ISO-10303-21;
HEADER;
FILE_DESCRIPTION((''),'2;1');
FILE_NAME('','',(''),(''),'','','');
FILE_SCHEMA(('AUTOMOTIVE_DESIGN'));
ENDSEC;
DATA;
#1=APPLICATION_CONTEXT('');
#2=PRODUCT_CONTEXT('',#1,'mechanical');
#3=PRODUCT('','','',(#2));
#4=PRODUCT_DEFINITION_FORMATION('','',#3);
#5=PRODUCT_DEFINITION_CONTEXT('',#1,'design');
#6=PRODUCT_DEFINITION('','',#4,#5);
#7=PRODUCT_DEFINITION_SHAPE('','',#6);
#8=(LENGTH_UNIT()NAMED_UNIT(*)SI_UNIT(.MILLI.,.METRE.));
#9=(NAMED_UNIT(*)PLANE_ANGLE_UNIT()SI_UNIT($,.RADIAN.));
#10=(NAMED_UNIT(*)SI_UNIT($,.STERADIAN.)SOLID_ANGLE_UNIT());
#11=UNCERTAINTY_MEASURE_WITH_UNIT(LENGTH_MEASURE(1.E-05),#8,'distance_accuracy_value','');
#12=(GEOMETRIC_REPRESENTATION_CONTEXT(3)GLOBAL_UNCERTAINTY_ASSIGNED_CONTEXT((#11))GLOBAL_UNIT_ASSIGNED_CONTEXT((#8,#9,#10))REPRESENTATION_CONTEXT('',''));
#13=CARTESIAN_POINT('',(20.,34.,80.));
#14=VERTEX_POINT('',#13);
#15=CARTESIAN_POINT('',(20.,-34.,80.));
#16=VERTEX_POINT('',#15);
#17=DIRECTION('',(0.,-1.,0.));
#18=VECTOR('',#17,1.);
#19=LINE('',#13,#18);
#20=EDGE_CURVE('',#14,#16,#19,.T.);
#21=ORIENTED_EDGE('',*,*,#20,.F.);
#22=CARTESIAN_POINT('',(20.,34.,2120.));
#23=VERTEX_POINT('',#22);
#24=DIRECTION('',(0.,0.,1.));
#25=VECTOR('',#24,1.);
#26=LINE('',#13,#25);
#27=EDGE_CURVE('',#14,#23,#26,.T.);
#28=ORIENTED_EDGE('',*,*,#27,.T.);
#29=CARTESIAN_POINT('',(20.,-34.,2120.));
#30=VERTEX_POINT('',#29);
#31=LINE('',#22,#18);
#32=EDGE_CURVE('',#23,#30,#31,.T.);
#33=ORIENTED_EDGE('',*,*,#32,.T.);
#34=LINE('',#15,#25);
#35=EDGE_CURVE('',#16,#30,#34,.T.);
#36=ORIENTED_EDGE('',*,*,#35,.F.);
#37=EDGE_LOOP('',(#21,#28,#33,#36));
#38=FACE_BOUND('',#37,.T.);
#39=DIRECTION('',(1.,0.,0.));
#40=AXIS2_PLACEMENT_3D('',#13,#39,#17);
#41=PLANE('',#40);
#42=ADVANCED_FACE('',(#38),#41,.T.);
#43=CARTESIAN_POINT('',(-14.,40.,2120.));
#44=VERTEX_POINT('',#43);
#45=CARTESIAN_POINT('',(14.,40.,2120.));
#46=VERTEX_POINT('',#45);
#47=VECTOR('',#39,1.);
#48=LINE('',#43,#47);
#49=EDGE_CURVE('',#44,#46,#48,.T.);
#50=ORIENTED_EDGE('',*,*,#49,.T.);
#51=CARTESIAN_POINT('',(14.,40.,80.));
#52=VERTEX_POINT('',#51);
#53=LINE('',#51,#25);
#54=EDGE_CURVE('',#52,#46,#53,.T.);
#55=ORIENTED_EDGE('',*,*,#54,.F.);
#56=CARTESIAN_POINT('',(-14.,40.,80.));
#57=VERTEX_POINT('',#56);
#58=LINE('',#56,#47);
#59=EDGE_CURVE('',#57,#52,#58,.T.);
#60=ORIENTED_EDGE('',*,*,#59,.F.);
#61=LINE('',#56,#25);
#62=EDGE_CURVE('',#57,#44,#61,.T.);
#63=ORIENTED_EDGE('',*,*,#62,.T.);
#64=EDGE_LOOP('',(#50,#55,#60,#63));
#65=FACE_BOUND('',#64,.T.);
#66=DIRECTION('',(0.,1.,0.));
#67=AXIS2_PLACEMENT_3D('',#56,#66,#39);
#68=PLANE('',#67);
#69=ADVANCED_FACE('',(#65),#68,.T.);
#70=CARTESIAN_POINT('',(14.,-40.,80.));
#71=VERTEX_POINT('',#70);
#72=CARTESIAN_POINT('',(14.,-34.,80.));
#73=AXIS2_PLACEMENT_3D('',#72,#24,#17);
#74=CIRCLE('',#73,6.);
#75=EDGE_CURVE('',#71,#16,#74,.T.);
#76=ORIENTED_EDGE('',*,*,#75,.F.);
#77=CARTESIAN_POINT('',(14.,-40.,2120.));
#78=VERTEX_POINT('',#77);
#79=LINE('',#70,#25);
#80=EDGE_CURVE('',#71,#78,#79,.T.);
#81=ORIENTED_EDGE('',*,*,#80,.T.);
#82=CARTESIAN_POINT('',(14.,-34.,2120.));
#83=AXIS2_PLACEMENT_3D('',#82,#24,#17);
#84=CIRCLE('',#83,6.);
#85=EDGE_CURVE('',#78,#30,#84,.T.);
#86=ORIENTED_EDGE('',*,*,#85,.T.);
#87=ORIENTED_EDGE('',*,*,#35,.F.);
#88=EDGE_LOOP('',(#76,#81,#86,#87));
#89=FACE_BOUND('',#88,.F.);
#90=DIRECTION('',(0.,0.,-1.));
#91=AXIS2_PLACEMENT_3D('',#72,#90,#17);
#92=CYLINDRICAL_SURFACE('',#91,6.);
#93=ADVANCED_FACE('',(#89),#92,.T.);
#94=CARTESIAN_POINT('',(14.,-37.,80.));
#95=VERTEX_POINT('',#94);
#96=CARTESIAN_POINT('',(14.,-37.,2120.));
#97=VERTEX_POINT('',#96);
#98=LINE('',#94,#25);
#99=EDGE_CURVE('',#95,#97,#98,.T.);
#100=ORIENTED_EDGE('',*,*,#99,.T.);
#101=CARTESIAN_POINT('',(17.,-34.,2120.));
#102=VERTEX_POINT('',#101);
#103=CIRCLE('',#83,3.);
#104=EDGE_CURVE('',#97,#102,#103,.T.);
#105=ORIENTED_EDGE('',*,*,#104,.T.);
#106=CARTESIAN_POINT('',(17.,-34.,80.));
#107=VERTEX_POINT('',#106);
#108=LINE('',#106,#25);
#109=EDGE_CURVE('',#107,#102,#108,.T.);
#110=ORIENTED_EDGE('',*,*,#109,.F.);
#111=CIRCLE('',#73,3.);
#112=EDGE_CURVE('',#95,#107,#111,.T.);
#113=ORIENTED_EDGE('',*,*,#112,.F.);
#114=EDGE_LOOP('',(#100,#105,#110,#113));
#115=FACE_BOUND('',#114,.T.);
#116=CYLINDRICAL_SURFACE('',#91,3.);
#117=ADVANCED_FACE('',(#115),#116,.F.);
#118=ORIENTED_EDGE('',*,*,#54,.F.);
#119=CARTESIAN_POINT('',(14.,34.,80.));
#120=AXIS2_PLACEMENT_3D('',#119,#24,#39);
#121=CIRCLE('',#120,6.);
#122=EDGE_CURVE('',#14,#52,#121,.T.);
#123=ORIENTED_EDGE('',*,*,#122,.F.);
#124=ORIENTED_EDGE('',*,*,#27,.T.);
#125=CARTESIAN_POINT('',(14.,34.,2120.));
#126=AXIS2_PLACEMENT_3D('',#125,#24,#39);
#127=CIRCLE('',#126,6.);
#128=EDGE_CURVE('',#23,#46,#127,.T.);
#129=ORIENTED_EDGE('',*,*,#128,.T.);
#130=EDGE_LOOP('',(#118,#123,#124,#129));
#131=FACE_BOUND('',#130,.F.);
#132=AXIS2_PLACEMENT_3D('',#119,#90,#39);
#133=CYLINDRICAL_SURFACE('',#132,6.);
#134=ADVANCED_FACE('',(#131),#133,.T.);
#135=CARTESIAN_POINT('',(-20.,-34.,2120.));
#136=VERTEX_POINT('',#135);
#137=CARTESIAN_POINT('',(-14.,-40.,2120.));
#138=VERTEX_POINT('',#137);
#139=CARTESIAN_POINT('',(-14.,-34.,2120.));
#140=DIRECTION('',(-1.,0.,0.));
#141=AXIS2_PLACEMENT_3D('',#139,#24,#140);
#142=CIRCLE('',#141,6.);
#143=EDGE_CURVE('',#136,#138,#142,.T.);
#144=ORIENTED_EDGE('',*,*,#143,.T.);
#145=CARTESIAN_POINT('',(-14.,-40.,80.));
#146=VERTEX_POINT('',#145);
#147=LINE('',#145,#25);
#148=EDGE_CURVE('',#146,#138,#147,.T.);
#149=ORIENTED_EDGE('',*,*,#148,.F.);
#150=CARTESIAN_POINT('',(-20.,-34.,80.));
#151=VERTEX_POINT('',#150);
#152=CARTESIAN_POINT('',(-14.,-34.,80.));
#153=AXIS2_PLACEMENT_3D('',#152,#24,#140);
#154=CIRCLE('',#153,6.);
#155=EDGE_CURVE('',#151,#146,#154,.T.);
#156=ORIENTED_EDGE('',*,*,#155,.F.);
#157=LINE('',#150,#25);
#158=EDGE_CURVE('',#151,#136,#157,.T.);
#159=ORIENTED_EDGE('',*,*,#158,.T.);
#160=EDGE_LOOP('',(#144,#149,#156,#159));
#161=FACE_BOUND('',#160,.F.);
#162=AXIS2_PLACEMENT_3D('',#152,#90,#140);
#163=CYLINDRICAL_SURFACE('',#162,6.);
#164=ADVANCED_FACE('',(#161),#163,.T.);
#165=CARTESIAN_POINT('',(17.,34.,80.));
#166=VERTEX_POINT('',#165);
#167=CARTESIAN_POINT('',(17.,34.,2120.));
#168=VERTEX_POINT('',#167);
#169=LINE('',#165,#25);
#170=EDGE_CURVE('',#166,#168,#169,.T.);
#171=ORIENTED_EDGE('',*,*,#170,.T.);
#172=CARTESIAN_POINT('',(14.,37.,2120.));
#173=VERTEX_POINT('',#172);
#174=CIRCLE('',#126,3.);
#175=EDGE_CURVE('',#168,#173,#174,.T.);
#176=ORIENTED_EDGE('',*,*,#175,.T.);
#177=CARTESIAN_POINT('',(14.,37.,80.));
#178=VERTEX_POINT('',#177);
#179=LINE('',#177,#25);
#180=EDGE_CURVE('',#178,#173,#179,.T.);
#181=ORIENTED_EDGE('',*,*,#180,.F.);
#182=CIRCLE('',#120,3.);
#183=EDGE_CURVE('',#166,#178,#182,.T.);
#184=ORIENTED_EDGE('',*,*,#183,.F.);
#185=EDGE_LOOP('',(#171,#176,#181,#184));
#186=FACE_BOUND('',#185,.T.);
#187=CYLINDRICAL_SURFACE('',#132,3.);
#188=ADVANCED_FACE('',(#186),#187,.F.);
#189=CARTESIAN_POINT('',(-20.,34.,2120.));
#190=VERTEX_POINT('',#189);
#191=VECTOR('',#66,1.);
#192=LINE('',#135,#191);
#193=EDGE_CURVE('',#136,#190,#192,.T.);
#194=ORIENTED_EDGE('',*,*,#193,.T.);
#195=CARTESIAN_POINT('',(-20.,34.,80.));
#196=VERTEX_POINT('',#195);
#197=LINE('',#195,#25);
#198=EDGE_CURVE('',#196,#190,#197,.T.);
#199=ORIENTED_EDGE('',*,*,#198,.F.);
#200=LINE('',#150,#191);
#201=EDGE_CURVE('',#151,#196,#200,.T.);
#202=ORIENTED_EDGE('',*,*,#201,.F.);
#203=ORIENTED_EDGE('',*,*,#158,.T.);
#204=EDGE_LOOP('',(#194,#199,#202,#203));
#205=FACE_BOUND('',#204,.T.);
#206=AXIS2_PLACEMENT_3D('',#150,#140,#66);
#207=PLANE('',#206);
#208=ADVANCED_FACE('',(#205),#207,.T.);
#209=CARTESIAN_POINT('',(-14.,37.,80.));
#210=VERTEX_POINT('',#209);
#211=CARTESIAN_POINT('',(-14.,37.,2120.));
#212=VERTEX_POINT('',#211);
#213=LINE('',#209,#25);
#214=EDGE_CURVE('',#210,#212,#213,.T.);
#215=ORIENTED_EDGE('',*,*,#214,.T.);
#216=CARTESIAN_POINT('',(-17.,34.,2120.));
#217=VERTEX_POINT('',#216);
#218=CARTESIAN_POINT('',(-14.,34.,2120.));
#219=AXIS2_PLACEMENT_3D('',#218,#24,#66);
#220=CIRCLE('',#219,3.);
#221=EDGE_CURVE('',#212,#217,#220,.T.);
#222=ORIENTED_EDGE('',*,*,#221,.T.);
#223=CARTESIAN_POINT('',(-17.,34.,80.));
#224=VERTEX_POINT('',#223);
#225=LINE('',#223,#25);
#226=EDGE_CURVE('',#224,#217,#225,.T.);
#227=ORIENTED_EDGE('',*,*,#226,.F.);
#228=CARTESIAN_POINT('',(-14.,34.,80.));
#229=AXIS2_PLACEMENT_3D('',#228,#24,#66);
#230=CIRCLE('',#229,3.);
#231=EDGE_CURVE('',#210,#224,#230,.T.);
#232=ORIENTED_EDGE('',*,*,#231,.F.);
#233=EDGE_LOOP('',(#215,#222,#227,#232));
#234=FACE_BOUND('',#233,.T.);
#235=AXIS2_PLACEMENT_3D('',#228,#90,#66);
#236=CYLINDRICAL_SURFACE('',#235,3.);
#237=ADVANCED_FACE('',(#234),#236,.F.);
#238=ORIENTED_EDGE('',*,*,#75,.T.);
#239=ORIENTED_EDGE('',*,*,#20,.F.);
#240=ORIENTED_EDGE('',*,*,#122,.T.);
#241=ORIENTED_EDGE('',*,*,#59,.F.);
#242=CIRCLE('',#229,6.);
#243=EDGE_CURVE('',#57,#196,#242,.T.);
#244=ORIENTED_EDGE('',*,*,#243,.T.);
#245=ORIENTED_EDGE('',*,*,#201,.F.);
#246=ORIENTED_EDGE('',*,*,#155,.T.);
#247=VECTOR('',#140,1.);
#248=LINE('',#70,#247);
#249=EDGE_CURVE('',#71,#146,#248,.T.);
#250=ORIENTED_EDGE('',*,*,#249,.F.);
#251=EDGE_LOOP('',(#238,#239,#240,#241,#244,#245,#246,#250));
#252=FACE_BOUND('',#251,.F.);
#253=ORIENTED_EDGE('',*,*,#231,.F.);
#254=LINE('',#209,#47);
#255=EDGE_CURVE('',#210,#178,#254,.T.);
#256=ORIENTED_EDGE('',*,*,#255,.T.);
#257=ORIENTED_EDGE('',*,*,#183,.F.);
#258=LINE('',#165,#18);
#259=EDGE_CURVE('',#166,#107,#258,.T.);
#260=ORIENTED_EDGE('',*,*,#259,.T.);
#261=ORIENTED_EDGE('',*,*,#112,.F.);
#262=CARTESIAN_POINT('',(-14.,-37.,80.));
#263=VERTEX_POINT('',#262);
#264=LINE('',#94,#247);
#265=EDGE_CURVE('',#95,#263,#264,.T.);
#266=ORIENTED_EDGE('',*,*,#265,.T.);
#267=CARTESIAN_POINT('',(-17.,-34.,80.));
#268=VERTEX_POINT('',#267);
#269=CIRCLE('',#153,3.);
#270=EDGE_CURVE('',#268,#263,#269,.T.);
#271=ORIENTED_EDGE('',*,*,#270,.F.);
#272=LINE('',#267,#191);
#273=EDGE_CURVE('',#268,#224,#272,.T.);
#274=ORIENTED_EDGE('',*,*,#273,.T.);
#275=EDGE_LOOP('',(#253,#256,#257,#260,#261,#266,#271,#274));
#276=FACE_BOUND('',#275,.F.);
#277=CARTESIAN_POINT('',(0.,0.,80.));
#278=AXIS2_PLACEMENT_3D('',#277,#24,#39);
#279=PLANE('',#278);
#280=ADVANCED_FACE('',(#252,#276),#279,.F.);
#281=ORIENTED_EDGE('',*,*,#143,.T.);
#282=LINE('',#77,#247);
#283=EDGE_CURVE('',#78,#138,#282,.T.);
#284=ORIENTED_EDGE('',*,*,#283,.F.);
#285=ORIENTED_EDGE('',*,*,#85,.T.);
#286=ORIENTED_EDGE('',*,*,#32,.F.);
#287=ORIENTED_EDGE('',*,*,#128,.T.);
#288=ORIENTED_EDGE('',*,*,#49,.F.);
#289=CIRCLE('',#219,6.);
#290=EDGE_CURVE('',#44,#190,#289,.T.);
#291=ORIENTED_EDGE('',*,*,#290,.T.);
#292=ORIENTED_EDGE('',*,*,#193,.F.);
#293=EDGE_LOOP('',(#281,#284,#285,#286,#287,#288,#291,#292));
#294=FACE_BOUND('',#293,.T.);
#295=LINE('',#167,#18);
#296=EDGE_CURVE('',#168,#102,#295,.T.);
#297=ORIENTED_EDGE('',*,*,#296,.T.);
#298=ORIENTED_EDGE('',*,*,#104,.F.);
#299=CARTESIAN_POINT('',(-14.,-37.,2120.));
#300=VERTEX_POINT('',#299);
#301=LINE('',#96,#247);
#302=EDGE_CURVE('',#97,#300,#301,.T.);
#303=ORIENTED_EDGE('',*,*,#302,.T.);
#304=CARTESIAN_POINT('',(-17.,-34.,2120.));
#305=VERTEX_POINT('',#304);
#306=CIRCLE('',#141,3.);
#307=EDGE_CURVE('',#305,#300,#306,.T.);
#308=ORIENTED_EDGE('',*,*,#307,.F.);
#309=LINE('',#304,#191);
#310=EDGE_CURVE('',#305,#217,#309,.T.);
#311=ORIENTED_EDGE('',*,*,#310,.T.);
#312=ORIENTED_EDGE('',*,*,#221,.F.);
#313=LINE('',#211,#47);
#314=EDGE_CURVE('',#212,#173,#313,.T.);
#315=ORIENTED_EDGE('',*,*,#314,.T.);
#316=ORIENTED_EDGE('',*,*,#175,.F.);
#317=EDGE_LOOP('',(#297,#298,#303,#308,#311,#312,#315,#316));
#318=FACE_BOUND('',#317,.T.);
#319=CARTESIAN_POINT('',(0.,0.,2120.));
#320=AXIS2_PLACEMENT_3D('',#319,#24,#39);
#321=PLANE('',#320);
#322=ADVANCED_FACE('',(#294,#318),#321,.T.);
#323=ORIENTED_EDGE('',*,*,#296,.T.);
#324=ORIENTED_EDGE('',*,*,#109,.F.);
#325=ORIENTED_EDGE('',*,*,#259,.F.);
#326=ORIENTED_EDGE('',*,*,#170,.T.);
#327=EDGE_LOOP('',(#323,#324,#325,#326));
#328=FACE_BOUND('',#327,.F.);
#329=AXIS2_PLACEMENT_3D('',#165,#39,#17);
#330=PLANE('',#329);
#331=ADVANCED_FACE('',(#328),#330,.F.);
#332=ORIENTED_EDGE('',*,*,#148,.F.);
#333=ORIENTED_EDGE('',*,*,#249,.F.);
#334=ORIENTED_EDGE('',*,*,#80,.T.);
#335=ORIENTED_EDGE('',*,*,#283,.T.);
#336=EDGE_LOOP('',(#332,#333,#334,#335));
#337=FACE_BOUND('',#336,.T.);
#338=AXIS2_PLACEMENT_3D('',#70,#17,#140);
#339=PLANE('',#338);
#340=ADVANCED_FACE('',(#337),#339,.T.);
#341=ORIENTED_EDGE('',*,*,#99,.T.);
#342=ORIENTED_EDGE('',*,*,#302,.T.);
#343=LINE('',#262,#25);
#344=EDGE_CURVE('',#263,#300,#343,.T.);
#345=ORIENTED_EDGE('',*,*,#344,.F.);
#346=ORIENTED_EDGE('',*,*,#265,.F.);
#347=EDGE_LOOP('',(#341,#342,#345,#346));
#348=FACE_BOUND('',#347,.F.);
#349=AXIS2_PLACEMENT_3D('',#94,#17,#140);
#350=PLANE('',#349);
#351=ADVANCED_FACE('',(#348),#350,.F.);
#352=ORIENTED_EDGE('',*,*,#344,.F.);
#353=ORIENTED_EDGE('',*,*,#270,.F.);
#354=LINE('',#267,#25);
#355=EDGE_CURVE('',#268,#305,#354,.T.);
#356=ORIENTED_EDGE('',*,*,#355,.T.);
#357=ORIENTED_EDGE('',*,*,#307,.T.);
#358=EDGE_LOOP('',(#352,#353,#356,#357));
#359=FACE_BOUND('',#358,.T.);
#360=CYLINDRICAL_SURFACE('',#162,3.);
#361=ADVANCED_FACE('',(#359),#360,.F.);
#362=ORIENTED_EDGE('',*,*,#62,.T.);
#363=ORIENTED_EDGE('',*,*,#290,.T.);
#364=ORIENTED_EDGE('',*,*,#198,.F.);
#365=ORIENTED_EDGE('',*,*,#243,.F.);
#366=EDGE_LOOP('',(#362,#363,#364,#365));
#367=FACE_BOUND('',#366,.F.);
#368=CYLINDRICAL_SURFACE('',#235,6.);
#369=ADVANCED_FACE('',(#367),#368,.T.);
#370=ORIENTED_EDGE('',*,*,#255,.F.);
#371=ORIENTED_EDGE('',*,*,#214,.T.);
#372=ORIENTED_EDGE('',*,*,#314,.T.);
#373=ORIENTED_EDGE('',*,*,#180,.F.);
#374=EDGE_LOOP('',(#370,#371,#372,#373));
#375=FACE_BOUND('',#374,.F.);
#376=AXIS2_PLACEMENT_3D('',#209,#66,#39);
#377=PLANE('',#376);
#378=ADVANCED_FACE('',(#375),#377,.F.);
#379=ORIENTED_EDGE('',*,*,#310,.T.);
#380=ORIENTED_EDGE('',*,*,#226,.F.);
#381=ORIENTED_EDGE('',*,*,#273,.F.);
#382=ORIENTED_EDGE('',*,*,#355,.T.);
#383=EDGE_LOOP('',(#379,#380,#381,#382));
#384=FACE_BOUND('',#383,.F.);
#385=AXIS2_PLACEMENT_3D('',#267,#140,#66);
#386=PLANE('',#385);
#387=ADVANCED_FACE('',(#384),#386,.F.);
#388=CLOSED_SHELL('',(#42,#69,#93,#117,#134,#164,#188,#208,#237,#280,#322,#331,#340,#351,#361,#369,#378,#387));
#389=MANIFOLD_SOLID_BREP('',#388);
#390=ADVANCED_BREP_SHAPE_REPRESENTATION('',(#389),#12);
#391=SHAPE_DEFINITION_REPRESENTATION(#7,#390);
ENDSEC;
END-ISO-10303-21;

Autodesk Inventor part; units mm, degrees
ref_plane "YZ Plane" through (0, 0, 0) normal (1, 0, 0) x (0, 1, 0)
ref_plane "Start Plane" through (0, 0, 80) normal (0, 0, 1) x (1, 0, 0)
ref_plane "End Plane" through (0, 0, 2120) normal (0, 0, 1) x (1, 0, 0)
sketch "Sketch" plane through (0, 0, 0) normal (0, 0, 1) x (1, 0, 0)
  line L0 (-20, -34) -> (-20, 34)
  line L1 (-14, 40) -> (14, 40)
  line L2 (20, 34) -> (20, -34)
  line L3 (14, -40) -> (-14, -40)
  arc A0 (-20, -34) -> (-14, -40) centre (-14, -34) ccw
  arc A1 (20, 34) -> (14, 40) centre (14, 34) ccw
  arc A2 (-14, 40) -> (-20, 34) centre (-14, 34) ccw
  arc A3 (14, -40) -> (20, -34) centre (14, -34) ccw
  arc A4 (-14, 37) -> (-17, 34) centre (-14, 34) ccw
  line L4 (-14, 37) -> (14, 37)
  arc A5 (17, 34) -> (14, 37) centre (14, 34) ccw
  line L5 (17, 34) -> (17, -34)
  arc A6 (14, -37) -> (17, -34) centre (14, -34) ccw
  line L6 (14, -37) -> (-14, -37)
  arc A7 (-17, -34) -> (-14, -37) centre (-14, -34) ccw
  line L7 (-17, -34) -> (-17, 34)
  line L8 (0, 57.7397) -> (0, -57.7397) construction
  line L9 (-29.7397, 0) -> (29.7397, 0) construction
  dimension "d7" = 6
  dimension "d9" = 40
  dimension "d11" = 80
  dimension "d12" = 3
  dimension "d15" = 20
  dimension "d16" = 40
extrude "Body" add sketch "Sketch" along normal up to surface (2040 mm away) from surface at 80
sketch "Sketch3" plane through (0, 0, 0) normal (0, 0, 1) x (1, 0, 0)
  line L0 (0, 0) -> (10, 0)
ref_plane "Work Plane3" through (0, 0, 0) normal (0, -1, 0) x (1, 0, 0)
sketch "Sketch4" plane through (0, 0, 0) normal (0, -1, 0) x (1, 0, 0)
  line L0 (-2, 80) -> (12, 80) projected
  line L1 (-2, 2120) -> (12, 2120) projected
  dimension "d18" = 2040
equation "\"d7\" = G_IR"
equation "\"d9\" = G_W"
equation "\"d11\" = G_H"
equation "\"d12\" = G_T"
equation "\"d15\" = 0.5 * d9"
equation "\"d16\" = 0.5 * d11"
equation "\"d3\" = G_L"
equation "\"G_W\" = 40"
equation "\"G_H\" = 80"
equation "\"G_T\" = 3"
equation "\"G_IR\" = 6"
equation "\"G_L\" = d18"
properties part number "ISO 10799-2 - 80x40x3 - 2040" material "Steel, Mild"
